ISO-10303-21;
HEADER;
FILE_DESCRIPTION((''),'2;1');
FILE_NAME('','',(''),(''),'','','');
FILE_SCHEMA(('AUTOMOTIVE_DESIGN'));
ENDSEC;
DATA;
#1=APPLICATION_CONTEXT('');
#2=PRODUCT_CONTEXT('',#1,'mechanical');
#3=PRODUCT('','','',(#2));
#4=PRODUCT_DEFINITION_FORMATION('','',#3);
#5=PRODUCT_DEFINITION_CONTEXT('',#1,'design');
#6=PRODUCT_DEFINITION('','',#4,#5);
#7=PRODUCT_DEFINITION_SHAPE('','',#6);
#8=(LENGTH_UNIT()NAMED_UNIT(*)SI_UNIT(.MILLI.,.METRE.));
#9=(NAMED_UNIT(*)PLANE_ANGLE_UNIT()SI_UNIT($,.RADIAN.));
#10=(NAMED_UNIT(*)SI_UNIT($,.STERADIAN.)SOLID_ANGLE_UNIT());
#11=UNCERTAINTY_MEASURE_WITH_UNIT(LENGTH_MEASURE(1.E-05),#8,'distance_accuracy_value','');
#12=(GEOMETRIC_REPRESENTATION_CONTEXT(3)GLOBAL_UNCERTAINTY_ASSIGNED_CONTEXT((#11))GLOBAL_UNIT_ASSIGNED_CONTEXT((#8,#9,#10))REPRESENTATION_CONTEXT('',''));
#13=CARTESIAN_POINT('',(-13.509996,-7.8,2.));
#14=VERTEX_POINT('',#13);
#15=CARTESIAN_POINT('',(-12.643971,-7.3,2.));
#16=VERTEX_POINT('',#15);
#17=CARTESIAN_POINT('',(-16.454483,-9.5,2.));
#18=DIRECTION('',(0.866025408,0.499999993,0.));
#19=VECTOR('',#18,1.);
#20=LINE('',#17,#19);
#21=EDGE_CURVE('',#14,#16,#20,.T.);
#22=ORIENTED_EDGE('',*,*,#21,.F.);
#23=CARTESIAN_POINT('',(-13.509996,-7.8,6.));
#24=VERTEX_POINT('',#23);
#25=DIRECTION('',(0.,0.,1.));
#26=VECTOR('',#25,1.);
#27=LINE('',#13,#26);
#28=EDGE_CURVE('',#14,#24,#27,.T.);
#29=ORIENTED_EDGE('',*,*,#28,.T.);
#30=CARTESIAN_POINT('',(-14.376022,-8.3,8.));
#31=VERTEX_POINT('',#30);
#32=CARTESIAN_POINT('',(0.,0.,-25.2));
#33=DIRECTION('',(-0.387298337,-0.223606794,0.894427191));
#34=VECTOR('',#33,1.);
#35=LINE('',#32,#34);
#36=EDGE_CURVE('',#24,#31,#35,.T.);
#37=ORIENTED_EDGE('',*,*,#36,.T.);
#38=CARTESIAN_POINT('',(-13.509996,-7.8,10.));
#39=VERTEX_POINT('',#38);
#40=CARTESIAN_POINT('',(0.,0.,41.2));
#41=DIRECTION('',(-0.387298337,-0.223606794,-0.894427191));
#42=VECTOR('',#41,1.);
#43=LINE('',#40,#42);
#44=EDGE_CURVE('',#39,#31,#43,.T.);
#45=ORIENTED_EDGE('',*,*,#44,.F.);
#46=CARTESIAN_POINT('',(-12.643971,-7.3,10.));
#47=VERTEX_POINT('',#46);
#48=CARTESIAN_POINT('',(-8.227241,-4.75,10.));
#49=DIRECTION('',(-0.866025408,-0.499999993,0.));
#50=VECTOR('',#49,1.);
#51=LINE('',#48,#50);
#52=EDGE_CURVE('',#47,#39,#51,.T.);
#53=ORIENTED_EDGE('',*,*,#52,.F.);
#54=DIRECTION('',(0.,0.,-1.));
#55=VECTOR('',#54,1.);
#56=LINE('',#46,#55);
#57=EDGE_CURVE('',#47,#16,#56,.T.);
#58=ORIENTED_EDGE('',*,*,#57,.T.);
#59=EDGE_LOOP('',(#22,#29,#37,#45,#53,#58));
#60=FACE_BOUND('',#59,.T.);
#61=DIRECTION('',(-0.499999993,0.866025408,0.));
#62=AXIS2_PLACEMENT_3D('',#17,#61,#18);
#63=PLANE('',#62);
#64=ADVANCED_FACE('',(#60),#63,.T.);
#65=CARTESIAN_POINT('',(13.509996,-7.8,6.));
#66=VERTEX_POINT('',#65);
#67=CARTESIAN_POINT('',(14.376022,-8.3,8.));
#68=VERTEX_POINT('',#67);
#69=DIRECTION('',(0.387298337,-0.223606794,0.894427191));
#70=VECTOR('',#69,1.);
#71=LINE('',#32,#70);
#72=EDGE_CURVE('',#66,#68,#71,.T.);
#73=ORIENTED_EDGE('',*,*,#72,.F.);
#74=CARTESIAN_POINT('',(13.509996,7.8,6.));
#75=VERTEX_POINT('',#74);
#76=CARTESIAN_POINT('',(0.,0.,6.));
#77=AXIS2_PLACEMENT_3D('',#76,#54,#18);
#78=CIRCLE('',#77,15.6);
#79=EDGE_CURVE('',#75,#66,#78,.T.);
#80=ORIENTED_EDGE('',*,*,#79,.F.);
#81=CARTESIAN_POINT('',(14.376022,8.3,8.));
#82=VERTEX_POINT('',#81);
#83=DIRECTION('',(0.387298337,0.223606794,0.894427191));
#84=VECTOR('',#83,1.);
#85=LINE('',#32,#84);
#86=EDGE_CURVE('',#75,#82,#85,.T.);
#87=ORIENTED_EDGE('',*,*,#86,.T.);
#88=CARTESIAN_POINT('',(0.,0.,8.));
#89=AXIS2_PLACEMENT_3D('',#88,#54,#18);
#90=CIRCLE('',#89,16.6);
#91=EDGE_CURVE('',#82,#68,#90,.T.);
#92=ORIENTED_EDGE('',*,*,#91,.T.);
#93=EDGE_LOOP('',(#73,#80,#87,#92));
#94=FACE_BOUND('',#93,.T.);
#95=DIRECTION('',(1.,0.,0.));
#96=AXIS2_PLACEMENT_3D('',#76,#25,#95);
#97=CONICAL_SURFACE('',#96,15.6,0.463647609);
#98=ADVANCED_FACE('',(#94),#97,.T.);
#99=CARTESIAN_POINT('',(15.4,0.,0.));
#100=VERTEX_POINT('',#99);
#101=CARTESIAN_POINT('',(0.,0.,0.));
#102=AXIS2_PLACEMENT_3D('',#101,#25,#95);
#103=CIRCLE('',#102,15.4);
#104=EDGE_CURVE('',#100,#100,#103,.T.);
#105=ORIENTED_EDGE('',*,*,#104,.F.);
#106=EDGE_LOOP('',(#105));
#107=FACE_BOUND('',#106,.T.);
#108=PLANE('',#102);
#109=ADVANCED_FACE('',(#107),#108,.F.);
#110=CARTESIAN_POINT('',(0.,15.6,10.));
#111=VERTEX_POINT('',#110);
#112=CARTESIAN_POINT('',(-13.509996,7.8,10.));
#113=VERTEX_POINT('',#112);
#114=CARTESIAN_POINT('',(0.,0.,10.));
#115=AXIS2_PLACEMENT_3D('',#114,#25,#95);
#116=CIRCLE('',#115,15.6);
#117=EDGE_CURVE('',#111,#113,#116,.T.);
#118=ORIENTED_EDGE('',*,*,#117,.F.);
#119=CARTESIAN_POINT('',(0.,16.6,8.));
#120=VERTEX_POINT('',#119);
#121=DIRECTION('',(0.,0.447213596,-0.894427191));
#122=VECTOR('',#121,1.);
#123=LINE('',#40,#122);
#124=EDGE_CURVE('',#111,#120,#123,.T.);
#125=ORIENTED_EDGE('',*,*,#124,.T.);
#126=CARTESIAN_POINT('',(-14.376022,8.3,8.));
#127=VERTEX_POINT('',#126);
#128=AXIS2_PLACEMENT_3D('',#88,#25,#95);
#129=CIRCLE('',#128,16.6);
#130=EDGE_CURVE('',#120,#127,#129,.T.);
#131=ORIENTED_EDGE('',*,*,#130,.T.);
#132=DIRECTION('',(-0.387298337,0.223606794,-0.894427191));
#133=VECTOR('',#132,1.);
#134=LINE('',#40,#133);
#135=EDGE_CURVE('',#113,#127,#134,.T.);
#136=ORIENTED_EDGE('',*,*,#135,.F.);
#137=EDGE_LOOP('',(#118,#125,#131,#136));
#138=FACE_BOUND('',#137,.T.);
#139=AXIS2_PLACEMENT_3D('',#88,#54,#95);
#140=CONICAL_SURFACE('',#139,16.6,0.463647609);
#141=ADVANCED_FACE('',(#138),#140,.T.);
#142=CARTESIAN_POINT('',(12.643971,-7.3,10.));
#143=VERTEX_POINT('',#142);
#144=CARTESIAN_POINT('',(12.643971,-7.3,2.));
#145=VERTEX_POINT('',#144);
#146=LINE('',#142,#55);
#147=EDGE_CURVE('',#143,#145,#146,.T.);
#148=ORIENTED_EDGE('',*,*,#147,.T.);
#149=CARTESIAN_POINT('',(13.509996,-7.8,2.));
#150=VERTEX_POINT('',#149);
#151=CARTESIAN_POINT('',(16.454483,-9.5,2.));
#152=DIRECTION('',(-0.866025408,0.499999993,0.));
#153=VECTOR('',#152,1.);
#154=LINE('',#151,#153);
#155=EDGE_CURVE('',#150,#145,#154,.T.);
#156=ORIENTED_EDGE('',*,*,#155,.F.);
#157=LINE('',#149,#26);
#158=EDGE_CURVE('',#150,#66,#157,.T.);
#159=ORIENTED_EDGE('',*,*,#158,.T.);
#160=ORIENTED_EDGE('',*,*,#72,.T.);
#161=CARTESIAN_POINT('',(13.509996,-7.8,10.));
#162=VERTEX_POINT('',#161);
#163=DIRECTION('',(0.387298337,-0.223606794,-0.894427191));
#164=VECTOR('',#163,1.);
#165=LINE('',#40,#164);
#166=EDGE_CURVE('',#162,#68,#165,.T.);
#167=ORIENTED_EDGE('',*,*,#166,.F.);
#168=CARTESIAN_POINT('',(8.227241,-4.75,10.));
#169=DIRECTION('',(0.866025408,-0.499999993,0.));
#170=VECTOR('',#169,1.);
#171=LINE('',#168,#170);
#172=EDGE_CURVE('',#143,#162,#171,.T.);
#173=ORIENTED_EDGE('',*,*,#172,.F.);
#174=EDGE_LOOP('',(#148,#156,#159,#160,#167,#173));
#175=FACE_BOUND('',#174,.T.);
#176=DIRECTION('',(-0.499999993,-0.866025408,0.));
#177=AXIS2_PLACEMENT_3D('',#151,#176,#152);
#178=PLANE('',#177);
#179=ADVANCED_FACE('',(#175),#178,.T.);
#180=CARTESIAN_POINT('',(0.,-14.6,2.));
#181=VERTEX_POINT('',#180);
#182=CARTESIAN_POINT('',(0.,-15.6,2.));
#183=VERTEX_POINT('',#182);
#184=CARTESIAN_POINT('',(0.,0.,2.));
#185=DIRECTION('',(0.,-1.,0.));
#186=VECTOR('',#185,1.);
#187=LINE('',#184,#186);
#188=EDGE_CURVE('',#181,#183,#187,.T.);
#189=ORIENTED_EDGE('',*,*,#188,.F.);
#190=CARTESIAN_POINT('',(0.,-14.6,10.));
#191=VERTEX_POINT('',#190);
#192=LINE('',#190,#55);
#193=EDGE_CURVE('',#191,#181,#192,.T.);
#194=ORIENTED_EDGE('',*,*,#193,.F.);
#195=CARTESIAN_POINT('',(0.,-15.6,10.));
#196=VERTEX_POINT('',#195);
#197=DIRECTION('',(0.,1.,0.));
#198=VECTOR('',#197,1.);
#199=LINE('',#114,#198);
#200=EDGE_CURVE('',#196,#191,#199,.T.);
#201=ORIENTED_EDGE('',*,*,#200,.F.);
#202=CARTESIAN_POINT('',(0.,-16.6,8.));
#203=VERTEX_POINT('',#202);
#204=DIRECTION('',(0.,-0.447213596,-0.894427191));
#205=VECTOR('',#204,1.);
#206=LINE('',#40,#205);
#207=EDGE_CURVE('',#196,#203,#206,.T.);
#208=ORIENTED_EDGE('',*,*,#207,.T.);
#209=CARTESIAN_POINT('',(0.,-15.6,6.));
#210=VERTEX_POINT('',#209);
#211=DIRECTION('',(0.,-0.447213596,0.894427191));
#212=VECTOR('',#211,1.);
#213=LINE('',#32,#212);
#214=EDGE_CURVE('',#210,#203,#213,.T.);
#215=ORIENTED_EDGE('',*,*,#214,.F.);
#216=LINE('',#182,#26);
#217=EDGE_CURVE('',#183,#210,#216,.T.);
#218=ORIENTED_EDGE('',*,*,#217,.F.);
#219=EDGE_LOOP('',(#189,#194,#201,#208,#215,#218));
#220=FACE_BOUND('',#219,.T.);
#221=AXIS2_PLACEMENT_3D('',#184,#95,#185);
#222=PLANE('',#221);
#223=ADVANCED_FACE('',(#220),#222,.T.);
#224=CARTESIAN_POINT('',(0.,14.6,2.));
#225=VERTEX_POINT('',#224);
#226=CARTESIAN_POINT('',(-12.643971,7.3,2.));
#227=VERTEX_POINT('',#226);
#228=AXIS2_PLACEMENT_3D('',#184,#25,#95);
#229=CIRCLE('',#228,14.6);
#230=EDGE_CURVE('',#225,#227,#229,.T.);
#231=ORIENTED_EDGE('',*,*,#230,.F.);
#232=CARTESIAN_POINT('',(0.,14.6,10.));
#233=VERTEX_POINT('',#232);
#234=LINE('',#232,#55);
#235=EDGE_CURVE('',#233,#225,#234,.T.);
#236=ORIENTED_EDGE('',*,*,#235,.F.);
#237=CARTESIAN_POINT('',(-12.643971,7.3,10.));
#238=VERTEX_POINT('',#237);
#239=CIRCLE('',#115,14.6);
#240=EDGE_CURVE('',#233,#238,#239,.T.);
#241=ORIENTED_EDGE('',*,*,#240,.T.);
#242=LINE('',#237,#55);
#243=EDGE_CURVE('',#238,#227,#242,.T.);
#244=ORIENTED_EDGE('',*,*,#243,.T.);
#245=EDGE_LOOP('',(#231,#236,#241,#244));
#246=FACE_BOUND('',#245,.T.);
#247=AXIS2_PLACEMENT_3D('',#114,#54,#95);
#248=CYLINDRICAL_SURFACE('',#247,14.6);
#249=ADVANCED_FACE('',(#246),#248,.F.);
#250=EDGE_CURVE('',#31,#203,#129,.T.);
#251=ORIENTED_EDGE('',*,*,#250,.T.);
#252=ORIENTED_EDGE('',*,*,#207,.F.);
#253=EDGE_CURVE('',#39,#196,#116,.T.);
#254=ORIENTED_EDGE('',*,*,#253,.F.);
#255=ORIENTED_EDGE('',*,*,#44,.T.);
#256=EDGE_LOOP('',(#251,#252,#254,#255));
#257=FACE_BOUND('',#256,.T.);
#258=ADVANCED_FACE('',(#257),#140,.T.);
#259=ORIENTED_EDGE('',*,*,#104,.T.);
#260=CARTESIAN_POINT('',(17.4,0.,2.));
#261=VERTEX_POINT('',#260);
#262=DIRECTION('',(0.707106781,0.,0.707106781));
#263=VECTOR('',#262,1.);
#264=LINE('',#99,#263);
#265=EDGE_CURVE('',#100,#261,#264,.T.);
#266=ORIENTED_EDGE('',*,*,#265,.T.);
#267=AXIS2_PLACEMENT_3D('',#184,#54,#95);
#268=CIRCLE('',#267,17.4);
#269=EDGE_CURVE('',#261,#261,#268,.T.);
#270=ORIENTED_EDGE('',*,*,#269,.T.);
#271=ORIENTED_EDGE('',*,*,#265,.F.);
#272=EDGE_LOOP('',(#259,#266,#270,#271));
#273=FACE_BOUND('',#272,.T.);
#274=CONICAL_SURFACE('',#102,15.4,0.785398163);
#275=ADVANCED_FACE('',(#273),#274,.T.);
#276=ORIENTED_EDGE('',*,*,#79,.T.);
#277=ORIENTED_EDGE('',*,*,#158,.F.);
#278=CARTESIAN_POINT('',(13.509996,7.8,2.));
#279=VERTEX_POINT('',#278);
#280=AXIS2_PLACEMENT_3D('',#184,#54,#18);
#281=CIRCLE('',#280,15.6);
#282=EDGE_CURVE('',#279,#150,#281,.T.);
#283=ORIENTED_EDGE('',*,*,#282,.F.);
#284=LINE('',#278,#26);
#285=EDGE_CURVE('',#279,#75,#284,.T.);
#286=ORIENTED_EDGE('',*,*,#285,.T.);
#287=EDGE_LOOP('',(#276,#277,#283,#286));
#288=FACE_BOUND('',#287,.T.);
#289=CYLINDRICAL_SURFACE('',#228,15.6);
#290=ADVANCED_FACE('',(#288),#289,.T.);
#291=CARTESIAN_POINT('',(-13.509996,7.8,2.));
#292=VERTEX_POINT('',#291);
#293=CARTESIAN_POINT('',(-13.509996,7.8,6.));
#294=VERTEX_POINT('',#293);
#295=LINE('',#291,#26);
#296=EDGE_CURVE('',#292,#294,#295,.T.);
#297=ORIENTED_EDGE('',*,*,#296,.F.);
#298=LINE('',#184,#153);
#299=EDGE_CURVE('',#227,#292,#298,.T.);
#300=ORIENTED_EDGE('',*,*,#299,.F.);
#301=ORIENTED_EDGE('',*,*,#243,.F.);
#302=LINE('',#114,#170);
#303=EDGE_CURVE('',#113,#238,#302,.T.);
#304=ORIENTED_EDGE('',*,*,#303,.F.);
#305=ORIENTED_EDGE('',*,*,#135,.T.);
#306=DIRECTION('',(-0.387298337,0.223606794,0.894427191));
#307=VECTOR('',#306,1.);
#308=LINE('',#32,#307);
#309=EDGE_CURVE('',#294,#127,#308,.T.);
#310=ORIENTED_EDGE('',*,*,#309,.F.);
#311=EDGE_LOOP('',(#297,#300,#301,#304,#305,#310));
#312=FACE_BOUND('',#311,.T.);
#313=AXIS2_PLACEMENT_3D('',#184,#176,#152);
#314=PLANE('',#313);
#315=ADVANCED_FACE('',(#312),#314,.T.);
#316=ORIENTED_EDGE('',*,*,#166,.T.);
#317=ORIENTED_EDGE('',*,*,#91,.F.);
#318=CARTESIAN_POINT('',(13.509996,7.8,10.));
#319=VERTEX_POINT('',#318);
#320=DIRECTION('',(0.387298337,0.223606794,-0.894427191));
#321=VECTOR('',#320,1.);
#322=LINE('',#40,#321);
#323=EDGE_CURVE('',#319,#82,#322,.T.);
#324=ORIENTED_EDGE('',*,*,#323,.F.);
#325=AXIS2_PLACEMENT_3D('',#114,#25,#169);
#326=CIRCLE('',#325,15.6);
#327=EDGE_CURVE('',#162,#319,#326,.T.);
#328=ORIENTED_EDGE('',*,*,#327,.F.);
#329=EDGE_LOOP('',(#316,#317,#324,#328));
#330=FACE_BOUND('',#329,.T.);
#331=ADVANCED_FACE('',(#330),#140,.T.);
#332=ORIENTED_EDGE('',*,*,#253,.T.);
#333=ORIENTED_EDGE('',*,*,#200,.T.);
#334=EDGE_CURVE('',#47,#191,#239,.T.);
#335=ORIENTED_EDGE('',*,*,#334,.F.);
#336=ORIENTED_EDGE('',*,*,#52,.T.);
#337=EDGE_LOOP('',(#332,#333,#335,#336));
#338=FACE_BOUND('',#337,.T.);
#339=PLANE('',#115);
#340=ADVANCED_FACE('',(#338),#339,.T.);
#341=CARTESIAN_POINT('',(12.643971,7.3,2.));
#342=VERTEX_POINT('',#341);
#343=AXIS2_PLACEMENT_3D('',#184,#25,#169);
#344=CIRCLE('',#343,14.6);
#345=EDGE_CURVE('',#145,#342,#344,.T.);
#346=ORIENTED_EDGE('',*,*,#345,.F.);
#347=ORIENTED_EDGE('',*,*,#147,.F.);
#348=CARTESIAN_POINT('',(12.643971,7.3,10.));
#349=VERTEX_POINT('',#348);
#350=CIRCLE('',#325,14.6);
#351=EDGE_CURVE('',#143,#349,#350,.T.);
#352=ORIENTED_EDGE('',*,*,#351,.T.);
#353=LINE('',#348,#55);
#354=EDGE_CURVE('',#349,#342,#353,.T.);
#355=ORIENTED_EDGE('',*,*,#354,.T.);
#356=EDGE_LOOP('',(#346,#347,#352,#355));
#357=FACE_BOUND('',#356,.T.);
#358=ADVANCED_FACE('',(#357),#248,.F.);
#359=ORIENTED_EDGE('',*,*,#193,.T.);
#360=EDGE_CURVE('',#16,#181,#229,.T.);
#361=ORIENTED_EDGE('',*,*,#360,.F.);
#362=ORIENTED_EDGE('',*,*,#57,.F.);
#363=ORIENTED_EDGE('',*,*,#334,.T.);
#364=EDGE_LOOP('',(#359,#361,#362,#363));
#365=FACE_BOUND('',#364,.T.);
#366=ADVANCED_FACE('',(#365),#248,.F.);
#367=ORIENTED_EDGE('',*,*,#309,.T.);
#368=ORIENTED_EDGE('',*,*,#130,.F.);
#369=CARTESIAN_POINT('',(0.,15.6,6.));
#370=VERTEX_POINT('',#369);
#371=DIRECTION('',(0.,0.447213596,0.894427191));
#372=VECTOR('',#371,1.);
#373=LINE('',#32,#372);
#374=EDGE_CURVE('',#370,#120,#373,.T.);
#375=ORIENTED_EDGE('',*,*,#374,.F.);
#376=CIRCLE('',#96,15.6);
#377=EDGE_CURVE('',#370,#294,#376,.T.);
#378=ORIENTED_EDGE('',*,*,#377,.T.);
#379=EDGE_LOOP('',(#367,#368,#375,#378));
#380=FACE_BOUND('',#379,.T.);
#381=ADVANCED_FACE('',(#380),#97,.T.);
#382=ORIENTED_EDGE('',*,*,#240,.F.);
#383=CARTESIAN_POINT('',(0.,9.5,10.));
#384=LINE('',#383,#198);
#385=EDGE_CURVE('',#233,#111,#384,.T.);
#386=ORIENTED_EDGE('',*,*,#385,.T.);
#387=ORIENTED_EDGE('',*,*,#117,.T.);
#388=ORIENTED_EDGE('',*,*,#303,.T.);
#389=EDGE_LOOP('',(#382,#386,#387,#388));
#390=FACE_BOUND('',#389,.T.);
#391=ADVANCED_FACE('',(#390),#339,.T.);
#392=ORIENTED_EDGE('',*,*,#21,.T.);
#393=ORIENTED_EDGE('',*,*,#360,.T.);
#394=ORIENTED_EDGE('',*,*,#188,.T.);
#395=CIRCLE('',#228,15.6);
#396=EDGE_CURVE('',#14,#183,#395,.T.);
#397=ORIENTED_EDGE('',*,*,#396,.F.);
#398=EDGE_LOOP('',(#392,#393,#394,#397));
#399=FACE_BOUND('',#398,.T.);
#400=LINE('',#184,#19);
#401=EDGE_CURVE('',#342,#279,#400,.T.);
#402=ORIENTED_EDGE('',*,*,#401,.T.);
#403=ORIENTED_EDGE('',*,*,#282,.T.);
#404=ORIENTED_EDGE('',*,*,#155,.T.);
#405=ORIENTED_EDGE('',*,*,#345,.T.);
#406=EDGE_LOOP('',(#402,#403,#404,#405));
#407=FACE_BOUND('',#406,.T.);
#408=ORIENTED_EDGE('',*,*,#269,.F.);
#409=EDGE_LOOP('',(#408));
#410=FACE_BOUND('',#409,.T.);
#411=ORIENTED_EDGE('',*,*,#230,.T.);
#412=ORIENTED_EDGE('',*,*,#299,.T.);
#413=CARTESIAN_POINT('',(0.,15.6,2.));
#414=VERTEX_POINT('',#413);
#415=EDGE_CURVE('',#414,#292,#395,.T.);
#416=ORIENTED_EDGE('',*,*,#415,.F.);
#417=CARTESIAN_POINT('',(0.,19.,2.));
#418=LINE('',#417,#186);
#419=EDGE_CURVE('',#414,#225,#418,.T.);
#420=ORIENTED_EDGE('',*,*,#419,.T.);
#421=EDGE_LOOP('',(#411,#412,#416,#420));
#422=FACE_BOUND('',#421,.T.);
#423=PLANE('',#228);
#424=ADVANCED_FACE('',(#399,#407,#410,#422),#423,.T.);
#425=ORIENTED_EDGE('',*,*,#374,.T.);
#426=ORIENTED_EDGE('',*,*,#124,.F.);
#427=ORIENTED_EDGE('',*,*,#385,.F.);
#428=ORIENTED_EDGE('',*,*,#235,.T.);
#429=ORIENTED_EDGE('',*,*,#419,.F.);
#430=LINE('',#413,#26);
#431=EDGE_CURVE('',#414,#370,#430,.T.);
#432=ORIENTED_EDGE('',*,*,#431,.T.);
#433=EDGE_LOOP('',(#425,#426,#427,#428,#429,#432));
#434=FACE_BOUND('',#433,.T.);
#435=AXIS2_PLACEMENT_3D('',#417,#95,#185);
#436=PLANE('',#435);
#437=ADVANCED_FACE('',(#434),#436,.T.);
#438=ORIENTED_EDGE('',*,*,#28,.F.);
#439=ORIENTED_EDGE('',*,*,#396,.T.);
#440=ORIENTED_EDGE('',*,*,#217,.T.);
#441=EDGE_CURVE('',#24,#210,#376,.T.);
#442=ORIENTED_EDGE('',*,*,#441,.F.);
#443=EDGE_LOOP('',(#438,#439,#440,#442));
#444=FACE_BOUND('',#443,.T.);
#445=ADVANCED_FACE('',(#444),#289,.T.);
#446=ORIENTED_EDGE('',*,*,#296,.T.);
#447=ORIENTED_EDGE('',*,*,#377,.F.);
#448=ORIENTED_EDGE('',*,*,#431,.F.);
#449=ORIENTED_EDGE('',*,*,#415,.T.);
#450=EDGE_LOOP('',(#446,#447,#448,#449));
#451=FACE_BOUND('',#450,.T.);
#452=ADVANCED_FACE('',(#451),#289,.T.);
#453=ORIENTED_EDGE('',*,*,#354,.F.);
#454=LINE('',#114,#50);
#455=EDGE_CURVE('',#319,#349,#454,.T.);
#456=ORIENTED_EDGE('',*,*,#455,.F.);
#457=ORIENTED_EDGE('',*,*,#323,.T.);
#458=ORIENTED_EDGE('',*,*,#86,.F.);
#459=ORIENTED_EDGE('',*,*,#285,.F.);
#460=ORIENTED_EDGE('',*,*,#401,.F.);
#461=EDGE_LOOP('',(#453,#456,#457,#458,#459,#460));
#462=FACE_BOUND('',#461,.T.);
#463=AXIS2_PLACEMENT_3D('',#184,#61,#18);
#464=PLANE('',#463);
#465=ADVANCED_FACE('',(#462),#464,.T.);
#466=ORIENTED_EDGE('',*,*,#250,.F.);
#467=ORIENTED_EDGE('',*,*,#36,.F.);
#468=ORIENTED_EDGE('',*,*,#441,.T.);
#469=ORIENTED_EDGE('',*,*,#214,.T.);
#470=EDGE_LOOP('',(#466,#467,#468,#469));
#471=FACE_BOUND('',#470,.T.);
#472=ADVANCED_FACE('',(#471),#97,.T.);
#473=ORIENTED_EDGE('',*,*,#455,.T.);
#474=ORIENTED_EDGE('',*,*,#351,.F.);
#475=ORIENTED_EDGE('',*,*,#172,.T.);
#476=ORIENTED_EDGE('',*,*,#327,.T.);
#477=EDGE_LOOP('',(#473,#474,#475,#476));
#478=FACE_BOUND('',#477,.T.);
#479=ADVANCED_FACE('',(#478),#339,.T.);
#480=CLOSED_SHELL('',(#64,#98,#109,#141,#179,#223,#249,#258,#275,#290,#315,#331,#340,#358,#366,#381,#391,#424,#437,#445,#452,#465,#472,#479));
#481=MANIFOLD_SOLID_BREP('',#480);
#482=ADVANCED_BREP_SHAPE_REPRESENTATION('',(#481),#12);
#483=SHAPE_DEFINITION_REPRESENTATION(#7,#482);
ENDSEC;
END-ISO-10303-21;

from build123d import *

# Parameters (mm, degrees)
F3_DEPTH = 8.001


with BuildPart() as f1:
    # F0 (on Front) → F1 (revolve)
    with BuildSketch(Plane.XZ):
        Polygon((0, 2), (0, 0), (15.4, 0), (15.4, 2), (14.6, 2), align=None)
        Polygon((15.4, 2), (15.4, 0), (17.4, 2), (15.6, 2), align=None)
        Polygon((14.6, 2), (15.4, 2), (15.6, 2), (15.6, 6), (15.6, 10), (14.6, 10), align=None)
        Polygon((15.6, 10), (15.6, 6), (16.6, 8), align=None)
    revolve(axis=Axis((0, 0, 1), (0, 0, 1)))

    # F2 (on face) → F3 (cut, through all)
    with BuildSketch(Plane.XY.offset(2)):
        with BuildLine():
            Line((0, 19), (0, 0))
            Line((0, 0), (16.454483, 9.5))
            ThreePointArc((16.454483, 9.5), (9.5, 16.454483), (0, 19))
        make_face()
        with BuildLine():
            Line((-16.454483, -9.5), (0, 0))
            Line((0, 0), (-16.454483, 9.5))
            ThreePointArc((-16.454483, 9.5), (-19, 0), (-16.454483, -9.5))
        make_face()
        with BuildLine():
            Line((16.454483, -9.5), (0, 0))
            Line((0, 0), (0, -19))
            ThreePointArc((0, -19), (9.5, -16.454483), (16.454483, -9.5))
        make_face()
    extrude(amount=F3_DEPTH, mode=Mode.SUBTRACT)


solid = f1.part
